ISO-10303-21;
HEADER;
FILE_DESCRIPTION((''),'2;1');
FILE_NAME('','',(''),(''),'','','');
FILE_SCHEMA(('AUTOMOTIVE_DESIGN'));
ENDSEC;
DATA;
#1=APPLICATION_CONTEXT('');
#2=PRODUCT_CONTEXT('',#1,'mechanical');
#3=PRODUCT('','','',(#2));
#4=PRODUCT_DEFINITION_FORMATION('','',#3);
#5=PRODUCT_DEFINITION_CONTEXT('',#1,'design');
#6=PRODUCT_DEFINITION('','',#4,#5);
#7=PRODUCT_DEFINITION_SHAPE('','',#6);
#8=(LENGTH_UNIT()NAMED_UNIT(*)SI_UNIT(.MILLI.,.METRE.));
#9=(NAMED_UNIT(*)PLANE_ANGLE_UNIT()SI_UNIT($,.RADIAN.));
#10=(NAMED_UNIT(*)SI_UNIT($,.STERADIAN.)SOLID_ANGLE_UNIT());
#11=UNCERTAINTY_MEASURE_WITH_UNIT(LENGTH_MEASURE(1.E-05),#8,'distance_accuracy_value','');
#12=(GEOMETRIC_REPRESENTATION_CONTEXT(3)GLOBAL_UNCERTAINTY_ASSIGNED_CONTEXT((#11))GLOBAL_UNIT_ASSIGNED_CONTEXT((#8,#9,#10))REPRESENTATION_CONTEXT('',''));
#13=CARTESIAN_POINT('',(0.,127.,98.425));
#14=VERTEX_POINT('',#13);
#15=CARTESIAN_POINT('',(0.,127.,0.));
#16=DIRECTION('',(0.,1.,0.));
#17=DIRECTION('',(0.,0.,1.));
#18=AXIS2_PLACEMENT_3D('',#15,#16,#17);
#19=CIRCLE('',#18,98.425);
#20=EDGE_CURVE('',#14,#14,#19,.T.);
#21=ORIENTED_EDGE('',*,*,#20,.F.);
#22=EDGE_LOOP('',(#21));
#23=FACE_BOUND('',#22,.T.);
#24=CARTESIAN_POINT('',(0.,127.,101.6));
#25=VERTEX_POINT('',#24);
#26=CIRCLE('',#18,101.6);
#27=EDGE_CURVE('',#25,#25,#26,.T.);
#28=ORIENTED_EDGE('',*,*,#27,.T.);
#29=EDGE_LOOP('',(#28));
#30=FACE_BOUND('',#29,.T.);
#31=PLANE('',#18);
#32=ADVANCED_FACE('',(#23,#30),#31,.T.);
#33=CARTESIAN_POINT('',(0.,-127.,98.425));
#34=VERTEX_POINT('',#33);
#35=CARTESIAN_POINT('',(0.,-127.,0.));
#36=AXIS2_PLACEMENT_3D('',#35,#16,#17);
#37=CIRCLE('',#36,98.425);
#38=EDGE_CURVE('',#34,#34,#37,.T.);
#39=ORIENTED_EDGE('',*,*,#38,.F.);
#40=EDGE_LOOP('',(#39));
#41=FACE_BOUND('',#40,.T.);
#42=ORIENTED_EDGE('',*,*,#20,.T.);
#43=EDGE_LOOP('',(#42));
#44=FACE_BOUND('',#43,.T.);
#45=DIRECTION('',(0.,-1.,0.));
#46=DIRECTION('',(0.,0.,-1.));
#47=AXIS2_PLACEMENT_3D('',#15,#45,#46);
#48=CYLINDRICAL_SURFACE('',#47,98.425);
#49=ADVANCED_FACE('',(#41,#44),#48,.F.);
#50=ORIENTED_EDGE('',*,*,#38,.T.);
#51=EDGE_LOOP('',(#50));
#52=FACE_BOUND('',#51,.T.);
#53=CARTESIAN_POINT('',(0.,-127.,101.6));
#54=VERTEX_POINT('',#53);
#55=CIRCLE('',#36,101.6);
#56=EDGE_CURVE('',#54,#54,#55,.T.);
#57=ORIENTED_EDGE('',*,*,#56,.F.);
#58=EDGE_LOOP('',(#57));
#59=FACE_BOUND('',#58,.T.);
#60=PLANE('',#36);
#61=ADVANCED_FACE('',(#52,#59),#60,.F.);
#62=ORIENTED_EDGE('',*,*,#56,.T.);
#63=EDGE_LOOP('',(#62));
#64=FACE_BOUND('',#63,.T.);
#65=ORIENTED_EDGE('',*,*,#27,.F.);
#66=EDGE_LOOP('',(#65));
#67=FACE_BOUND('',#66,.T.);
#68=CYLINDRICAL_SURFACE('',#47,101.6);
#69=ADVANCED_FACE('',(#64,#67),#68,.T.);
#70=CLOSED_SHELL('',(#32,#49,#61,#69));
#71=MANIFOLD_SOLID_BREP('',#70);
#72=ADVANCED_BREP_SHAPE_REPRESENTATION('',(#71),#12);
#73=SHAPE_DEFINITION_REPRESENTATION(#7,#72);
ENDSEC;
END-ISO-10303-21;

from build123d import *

# Parameters (mm, degrees)
SKETCH1_R           = 101.6
SKETCH1_R_2         = 98.425
BOSS_EXTRUDE1_DEPTH = 127


with BuildPart() as part:
    # Sketch1 → Boss-Extrude1 (new, symmetric)
    with BuildSketch(Plane(origin=(0, 0, 0), x_dir=(1, 0, 0), z_dir=(0, 1, 0))):
        with Locations(Location((0, 0, 0), (0, 0, 270))):
            Circle(SKETCH1_R)
        with Locations(Location((0, 0, 0), (0, 0, 270))):
            Circle(SKETCH1_R_2, mode=Mode.SUBTRACT)
    extrude(amount=BOSS_EXTRUDE1_DEPTH, both=True)


solid = part.part
